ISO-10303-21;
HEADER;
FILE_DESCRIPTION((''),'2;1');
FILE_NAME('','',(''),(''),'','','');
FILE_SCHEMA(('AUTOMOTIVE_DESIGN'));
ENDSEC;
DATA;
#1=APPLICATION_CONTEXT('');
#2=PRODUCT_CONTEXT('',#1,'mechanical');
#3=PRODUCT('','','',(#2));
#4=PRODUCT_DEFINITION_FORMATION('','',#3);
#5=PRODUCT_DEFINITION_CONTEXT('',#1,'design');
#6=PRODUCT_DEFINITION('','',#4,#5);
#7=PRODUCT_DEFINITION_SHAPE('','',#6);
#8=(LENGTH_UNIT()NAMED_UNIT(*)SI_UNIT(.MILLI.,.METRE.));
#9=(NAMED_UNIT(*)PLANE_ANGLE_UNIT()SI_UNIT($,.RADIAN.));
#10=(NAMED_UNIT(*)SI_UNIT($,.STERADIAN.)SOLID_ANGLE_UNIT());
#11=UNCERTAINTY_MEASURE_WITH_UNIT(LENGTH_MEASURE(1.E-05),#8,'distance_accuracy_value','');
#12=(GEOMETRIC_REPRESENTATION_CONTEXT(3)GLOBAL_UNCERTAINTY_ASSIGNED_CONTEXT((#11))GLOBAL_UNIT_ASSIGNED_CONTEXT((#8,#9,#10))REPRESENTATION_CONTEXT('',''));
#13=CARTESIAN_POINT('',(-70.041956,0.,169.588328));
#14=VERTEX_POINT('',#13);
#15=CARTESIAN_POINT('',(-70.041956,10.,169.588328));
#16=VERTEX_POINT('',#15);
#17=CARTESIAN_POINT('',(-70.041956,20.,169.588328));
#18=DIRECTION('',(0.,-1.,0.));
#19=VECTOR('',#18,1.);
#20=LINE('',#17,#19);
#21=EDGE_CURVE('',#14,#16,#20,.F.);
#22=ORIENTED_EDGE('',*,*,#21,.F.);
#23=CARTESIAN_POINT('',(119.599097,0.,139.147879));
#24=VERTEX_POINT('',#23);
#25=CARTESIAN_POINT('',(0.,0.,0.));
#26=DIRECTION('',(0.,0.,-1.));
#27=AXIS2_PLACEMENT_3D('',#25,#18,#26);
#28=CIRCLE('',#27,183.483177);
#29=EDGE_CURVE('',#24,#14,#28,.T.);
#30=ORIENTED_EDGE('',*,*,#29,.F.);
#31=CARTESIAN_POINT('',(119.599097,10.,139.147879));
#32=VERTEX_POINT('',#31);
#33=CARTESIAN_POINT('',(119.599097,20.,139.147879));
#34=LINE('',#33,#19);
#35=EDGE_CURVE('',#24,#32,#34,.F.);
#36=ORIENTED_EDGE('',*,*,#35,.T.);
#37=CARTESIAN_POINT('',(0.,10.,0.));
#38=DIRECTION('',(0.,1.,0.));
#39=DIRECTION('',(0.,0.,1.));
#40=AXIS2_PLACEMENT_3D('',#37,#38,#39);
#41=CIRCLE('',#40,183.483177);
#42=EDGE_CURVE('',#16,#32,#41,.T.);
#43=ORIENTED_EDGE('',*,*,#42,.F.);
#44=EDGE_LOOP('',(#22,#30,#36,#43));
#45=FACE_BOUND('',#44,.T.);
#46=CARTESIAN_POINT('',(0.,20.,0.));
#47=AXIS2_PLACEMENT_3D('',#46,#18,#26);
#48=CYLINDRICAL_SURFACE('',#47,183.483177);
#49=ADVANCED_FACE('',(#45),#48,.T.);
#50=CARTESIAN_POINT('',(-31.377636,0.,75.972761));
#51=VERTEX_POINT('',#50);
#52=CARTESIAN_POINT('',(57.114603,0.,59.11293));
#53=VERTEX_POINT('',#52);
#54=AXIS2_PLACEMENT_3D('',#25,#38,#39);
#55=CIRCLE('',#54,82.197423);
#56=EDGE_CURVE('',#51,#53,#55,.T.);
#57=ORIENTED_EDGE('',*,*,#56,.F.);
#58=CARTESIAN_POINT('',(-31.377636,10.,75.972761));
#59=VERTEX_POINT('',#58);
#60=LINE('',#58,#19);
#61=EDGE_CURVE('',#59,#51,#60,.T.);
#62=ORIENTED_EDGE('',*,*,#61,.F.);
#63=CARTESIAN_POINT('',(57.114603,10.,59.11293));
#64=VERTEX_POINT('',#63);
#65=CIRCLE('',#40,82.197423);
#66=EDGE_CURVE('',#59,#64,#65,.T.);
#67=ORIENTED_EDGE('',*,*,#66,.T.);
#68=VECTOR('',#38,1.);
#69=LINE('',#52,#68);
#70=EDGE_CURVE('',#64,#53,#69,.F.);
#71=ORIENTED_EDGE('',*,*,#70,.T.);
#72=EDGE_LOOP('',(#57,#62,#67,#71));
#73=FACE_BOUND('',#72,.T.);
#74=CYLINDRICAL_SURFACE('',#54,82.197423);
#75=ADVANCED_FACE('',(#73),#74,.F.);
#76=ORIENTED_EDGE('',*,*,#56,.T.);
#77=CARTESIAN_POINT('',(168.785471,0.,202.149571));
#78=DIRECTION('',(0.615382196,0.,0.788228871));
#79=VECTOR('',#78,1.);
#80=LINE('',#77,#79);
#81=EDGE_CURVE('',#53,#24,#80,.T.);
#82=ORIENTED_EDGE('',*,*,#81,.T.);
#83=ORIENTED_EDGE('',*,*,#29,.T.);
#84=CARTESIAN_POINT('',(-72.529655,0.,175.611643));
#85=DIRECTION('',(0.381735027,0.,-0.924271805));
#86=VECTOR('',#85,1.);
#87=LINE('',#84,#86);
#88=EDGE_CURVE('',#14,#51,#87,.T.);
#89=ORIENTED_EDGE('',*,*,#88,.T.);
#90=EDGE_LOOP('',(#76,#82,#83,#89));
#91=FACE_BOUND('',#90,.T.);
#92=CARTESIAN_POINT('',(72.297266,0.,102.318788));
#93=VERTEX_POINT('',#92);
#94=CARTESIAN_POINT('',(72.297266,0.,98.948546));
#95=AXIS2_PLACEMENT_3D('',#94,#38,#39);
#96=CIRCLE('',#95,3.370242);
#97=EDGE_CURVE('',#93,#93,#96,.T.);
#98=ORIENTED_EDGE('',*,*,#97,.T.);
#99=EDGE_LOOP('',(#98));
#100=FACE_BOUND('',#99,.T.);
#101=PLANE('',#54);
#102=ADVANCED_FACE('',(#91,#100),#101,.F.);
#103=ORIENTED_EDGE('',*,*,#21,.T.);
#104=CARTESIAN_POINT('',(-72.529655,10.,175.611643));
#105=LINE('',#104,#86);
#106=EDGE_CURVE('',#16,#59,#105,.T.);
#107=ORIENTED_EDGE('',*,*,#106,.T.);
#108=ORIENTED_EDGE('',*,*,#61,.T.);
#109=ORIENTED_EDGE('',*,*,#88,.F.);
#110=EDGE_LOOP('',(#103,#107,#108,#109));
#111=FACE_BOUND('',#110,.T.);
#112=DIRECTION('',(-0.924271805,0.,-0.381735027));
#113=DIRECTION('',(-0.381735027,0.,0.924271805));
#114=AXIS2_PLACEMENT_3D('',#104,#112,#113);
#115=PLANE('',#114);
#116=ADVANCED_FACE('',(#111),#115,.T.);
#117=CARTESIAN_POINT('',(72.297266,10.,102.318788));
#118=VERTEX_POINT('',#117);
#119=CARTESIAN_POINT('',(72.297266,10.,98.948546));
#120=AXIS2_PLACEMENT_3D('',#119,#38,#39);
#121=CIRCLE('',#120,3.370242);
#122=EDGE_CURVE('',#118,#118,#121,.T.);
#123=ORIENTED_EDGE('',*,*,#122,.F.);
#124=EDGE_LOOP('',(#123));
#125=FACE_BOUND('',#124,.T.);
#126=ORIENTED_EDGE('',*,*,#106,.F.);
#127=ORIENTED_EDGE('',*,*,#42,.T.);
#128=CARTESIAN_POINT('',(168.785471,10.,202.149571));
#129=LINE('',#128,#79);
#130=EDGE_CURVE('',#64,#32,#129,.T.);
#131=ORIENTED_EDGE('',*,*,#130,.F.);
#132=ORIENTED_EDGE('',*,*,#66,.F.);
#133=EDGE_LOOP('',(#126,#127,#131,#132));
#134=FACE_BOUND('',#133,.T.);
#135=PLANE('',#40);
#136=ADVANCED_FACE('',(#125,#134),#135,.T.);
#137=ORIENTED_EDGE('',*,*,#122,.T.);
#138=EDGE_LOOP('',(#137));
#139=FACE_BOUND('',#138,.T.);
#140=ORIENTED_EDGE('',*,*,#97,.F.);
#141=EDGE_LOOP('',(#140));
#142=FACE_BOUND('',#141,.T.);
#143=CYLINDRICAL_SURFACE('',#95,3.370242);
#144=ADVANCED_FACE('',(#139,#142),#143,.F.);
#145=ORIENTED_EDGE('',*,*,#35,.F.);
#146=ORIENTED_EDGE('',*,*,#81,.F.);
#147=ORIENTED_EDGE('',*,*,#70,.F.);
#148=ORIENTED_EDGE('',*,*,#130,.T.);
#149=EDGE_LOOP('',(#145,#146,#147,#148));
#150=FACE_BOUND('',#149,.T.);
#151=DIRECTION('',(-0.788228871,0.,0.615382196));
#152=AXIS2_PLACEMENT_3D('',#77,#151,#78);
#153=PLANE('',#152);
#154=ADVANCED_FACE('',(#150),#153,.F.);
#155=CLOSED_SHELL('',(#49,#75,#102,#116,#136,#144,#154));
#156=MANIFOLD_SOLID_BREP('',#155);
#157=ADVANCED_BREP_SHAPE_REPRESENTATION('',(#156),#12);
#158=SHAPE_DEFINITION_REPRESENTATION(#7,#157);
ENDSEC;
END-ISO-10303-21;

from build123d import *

# Parameters (mm, degrees)
SKETCH_1_R           = 210
EXTRUDE_1_DEPTH      = 10
SKETCH_2_R           = 75
CUT_EXTRUDE_1_DEPTH  = 10
SKETCH_4_R           = 82.197423103
CUT_EXTRUDE_3_DEPTH  = 10
SKETCH_5_R           = 232.576786868
SKETCH_5_R_2         = 183.037626036
CUT_EXTRUDE_4_DEPTH  = 10
CUT_EXTRUDE_6_DEPTH  = 10
CUT_EXTRUDE_7_DEPTH  = 10
EXTRUDE_2_DEPTH      = 10
SKETCH_8_R           = 3.37024185
CUT_EXTRUDE_9_DEPTH  = 10
EXTRUDE_START        = -10
EXTRUDE_3_DEPTH      = 10
SKETCH_10_R          = 221.118951793
SKETCH_10_R_2        = 189.34656242
CUT_EXTRUDE_10_DEPTH = 20
SKETCH_11_R          = 238.000555744
SKETCH_11_R_2        = 183.483177488
CUT_EXTRUDE_11_DEPTH = 20


with BuildPart() as part:
    # 草图1 → 凸台-拉伸1 (new body)
    with BuildSketch(Plane(origin=(0, 0, 0), x_dir=(1, 0, 0), z_dir=(0, 1, 0))):
        with Locations(Location((0, 0, 0), (0, 0, 270))):
            Circle(SKETCH_1_R)
    extrude(amount=EXTRUDE_1_DEPTH)

    # 草图2 → 切除-拉伸1 (cut)
    with BuildSketch(Plane(origin=(0, 10, 0), x_dir=(1, 0, 0), z_dir=(0, 1, 0))):
        with Locations(Location((0, 0, 0), (0, 0, 270))):
            Circle(SKETCH_2_R)
    extrude(amount=-CUT_EXTRUDE_1_DEPTH, mode=Mode.SUBTRACT)

    # 草图4 → 切除-拉伸3 (cut)
    with BuildSketch(Plane(origin=(0, 10, 0), x_dir=(1, 0, 0), z_dir=(0, 1, 0))):
        with Locations(Location((0, 0, 0), (0, 0, 270))):
            Circle(SKETCH_4_R)
    extrude(amount=-CUT_EXTRUDE_3_DEPTH, mode=Mode.SUBTRACT)

    # 草图5 → 切除-拉伸4 (cut)
    with BuildSketch(Plane(origin=(0, 10, 0), x_dir=(1, 0, 0), z_dir=(0, 1, 0))):
        Circle(SKETCH_5_R)
        with Locations(Location((0, 0, 0), (0, 0, 270))):
            Circle(SKETCH_5_R_2, mode=Mode.SUBTRACT)
    extrude(amount=-CUT_EXTRUDE_4_DEPTH, mode=Mode.SUBTRACT)

    # 草图3 → 切除-拉伸6 (cut)
    with BuildSketch(Plane(origin=(0, 10, 0), x_dir=(1, 0, 0), z_dir=(0, 1, 0))):
        Polygon((-218.107078413, -133.413550562), (-168.78547064, -202.149571439), (-50, -50), (50, -50), (168.78547064, -202.149571439), (64.609548257, -313.747882065), (267.248585971, -202.149571439), (429.751389162, 108.172046702), (-16.641853339, 302.979624022), (-278.723850855, 176.468454352), align=None)
    extrude(amount=-CUT_EXTRUDE_6_DEPTH, mode=Mode.SUBTRACT)

    # 草图6 → 切除-拉伸7 (cut)
    with BuildSketch(Plane(origin=(0, 10, 0), x_dir=(1, 0, 0), z_dir=(0, 1, 0))):
        Polygon((0, 0), (0, -233.405297089), (-177.211837764, -160.795172893), (-110.712466595, -38.220656306), align=None)
    extrude(amount=-CUT_EXTRUDE_7_DEPTH, mode=Mode.SUBTRACT)

    # 草图7 → 凸台-拉伸2 (add)
    with BuildSketch(Plane(origin=(0, 10, 0), x_dir=(1, 0, 0), z_dir=(0, 1, 0))):
        with BuildLine():
            Line((0, -131.161321566), (0, -190))
            ThreePointArc((0, -190), (65.897168622, -178.206518308), (123.6137367, -144.290138606))
            Line((123.6137367, -144.290138606), (94.010463478, -106.371988266))
            Line((94.010463478, -106.371988266), (0, -131.161321566))
        make_face()
    extrude(amount=-EXTRUDE_2_DEPTH)

    # 草图8 → 切除-拉伸9 (cut)
    with BuildSketch(Plane(origin=(0, 10, 0), x_dir=(1, 0, 0), z_dir=(0, 1, 0))):
        with Locations(Location((72.297266291, -98.948546348, 0), (0, 0, 270))):
            Circle(SKETCH_8_R)
    extrude(amount=-CUT_EXTRUDE_9_DEPTH, mode=Mode.SUBTRACT)

    # 草图9 → 凸台-拉伸3 (add)
    with BuildSketch(Plane.XZ.offset(EXTRUDE_START)):
        with BuildLine():
            Line((-72.52965516, 175.611642901), (-31.37763554, 75.972760596))
            ThreePointArc((-31.37763554, 75.972760596), (-15.994549348, 80.626241112), (0, 82.197423103))
            Line((0, 82.197423103), (0, 190))
            ThreePointArc((0, 190), (-36.971528565, 186.36820028), (-72.52965516, 175.611642901))
        make_face()
    extrude(amount=EXTRUDE_3_DEPTH)

    # 草图10 → 切除-拉伸10 (cut)
    with BuildSketch(Plane.XZ):
        with Locations((6.928171241, 3.379528268)):
            Circle(SKETCH_10_R)
        Circle(SKETCH_10_R_2, mode=Mode.SUBTRACT)
    extrude(amount=-CUT_EXTRUDE_10_DEPTH, mode=Mode.SUBTRACT)

    # 草图11 → 切除-拉伸11 (cut)
    with BuildSketch(Plane.XZ):
        with Locations((0, 17.732727097)):
            Circle(SKETCH_11_R)
        Circle(SKETCH_11_R_2, mode=Mode.SUBTRACT)
    extrude(amount=-CUT_EXTRUDE_11_DEPTH, mode=Mode.SUBTRACT)


solid = part.part
